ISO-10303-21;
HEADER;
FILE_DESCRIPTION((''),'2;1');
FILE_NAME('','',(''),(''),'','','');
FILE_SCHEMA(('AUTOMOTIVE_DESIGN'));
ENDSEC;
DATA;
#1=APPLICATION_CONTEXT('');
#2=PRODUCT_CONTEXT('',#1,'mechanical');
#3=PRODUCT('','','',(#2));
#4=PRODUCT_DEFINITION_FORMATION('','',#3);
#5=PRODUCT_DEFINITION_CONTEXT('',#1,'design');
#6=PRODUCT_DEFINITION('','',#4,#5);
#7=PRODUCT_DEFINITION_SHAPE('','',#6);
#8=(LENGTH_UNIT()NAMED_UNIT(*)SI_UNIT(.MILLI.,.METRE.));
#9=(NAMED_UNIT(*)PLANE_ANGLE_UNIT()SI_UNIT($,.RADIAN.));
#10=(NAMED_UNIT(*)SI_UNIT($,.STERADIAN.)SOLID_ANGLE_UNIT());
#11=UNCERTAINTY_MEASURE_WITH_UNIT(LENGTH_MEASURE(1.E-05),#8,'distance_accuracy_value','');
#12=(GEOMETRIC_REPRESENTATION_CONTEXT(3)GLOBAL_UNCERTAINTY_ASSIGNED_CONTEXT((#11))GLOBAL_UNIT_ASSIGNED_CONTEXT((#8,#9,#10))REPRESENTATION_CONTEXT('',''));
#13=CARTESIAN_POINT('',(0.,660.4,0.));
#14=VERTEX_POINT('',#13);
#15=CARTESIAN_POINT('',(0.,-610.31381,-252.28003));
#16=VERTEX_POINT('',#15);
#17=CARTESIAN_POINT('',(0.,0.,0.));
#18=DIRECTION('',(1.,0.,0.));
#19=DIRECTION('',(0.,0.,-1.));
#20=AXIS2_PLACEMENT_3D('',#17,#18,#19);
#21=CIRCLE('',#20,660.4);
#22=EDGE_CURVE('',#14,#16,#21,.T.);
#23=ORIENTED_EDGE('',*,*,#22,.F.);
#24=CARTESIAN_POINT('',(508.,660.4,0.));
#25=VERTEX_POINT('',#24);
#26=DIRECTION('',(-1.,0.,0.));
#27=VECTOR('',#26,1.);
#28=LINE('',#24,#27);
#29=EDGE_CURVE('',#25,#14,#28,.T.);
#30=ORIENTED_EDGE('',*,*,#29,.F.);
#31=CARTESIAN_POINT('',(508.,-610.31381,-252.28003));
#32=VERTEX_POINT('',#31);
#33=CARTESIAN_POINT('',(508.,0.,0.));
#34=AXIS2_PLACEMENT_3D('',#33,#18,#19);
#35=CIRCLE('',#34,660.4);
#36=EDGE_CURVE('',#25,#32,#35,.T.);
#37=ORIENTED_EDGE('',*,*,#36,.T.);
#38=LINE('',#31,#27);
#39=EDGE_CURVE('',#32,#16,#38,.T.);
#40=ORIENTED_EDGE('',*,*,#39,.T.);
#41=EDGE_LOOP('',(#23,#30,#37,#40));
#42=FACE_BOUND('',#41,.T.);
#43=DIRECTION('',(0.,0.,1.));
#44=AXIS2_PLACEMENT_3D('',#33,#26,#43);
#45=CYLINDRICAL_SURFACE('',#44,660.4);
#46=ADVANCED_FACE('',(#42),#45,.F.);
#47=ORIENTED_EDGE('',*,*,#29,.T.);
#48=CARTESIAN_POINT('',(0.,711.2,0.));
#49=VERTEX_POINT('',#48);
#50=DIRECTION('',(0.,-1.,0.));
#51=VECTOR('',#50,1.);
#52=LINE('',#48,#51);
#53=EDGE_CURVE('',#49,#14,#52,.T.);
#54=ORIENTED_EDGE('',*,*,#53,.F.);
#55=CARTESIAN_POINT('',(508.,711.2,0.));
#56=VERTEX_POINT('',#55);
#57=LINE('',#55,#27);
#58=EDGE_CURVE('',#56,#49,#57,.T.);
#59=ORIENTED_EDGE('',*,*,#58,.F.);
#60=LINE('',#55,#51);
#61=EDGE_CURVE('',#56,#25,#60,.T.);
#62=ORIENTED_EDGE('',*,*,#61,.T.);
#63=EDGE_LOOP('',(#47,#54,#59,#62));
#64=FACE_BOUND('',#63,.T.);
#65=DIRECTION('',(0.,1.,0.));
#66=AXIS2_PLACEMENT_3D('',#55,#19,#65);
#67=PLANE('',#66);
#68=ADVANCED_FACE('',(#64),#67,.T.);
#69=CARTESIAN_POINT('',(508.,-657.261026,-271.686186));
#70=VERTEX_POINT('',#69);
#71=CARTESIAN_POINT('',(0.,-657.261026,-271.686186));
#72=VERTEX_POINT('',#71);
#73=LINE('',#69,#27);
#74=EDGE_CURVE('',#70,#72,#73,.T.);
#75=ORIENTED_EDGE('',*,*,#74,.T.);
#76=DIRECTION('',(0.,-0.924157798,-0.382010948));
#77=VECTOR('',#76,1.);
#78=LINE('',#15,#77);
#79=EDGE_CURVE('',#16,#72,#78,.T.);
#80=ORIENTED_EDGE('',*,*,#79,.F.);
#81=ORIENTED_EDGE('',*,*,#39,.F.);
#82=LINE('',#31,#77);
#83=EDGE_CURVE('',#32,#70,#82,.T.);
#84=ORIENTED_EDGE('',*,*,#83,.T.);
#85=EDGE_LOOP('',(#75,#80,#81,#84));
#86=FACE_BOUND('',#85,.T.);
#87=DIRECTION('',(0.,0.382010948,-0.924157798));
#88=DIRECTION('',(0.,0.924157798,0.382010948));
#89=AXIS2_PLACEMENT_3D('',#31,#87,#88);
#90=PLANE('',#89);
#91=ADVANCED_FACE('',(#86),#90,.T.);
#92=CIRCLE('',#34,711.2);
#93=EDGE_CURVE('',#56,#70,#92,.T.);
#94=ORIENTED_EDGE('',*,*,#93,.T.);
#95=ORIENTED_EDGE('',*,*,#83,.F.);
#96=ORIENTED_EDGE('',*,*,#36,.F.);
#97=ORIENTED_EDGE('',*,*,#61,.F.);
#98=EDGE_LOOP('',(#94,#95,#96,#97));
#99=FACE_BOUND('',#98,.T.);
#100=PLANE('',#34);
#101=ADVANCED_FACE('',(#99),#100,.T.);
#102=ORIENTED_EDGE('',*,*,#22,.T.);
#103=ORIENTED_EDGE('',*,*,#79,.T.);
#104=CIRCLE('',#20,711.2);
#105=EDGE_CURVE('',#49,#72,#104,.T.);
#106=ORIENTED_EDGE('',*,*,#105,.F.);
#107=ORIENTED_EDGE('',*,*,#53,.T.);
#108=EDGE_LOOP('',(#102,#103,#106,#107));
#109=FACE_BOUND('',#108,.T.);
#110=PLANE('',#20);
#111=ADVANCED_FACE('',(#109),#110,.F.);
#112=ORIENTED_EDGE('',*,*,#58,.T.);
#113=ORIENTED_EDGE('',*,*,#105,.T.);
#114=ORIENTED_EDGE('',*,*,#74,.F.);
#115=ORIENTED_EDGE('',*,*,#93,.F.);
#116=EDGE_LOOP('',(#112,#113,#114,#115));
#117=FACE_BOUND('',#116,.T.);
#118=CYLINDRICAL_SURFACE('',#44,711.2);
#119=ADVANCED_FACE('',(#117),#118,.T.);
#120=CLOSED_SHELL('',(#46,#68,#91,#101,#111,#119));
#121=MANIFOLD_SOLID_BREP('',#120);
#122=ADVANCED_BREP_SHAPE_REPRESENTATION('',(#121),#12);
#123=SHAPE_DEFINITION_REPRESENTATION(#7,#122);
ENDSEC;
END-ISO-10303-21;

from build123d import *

# Parameters (mm, degrees)
EXTRUDE_THIN1_DEPTH = 508


with BuildPart() as part:
    # Sketch1 → Extrude-Thin1 (new body)
    with BuildSketch(Plane(origin=(0, 0, 0), x_dir=(0, 0, -1), z_dir=(1, 0, 0))):
        with BuildLine():
            ThreePointArc((0, 660.4), (-647.757439178, -128.601943958), (252.280029956, -610.313809843))
            Line((252.280029956, -610.313809843), (271.686186107, -657.261025985))
            ThreePointArc((271.686186107, -657.261025985), (-697.584934499, -138.494401185), (0, 711.2))
            Line((0, 711.2), (0, 660.4))
        make_face()
    extrude(amount=EXTRUDE_THIN1_DEPTH)


solid = part.part
